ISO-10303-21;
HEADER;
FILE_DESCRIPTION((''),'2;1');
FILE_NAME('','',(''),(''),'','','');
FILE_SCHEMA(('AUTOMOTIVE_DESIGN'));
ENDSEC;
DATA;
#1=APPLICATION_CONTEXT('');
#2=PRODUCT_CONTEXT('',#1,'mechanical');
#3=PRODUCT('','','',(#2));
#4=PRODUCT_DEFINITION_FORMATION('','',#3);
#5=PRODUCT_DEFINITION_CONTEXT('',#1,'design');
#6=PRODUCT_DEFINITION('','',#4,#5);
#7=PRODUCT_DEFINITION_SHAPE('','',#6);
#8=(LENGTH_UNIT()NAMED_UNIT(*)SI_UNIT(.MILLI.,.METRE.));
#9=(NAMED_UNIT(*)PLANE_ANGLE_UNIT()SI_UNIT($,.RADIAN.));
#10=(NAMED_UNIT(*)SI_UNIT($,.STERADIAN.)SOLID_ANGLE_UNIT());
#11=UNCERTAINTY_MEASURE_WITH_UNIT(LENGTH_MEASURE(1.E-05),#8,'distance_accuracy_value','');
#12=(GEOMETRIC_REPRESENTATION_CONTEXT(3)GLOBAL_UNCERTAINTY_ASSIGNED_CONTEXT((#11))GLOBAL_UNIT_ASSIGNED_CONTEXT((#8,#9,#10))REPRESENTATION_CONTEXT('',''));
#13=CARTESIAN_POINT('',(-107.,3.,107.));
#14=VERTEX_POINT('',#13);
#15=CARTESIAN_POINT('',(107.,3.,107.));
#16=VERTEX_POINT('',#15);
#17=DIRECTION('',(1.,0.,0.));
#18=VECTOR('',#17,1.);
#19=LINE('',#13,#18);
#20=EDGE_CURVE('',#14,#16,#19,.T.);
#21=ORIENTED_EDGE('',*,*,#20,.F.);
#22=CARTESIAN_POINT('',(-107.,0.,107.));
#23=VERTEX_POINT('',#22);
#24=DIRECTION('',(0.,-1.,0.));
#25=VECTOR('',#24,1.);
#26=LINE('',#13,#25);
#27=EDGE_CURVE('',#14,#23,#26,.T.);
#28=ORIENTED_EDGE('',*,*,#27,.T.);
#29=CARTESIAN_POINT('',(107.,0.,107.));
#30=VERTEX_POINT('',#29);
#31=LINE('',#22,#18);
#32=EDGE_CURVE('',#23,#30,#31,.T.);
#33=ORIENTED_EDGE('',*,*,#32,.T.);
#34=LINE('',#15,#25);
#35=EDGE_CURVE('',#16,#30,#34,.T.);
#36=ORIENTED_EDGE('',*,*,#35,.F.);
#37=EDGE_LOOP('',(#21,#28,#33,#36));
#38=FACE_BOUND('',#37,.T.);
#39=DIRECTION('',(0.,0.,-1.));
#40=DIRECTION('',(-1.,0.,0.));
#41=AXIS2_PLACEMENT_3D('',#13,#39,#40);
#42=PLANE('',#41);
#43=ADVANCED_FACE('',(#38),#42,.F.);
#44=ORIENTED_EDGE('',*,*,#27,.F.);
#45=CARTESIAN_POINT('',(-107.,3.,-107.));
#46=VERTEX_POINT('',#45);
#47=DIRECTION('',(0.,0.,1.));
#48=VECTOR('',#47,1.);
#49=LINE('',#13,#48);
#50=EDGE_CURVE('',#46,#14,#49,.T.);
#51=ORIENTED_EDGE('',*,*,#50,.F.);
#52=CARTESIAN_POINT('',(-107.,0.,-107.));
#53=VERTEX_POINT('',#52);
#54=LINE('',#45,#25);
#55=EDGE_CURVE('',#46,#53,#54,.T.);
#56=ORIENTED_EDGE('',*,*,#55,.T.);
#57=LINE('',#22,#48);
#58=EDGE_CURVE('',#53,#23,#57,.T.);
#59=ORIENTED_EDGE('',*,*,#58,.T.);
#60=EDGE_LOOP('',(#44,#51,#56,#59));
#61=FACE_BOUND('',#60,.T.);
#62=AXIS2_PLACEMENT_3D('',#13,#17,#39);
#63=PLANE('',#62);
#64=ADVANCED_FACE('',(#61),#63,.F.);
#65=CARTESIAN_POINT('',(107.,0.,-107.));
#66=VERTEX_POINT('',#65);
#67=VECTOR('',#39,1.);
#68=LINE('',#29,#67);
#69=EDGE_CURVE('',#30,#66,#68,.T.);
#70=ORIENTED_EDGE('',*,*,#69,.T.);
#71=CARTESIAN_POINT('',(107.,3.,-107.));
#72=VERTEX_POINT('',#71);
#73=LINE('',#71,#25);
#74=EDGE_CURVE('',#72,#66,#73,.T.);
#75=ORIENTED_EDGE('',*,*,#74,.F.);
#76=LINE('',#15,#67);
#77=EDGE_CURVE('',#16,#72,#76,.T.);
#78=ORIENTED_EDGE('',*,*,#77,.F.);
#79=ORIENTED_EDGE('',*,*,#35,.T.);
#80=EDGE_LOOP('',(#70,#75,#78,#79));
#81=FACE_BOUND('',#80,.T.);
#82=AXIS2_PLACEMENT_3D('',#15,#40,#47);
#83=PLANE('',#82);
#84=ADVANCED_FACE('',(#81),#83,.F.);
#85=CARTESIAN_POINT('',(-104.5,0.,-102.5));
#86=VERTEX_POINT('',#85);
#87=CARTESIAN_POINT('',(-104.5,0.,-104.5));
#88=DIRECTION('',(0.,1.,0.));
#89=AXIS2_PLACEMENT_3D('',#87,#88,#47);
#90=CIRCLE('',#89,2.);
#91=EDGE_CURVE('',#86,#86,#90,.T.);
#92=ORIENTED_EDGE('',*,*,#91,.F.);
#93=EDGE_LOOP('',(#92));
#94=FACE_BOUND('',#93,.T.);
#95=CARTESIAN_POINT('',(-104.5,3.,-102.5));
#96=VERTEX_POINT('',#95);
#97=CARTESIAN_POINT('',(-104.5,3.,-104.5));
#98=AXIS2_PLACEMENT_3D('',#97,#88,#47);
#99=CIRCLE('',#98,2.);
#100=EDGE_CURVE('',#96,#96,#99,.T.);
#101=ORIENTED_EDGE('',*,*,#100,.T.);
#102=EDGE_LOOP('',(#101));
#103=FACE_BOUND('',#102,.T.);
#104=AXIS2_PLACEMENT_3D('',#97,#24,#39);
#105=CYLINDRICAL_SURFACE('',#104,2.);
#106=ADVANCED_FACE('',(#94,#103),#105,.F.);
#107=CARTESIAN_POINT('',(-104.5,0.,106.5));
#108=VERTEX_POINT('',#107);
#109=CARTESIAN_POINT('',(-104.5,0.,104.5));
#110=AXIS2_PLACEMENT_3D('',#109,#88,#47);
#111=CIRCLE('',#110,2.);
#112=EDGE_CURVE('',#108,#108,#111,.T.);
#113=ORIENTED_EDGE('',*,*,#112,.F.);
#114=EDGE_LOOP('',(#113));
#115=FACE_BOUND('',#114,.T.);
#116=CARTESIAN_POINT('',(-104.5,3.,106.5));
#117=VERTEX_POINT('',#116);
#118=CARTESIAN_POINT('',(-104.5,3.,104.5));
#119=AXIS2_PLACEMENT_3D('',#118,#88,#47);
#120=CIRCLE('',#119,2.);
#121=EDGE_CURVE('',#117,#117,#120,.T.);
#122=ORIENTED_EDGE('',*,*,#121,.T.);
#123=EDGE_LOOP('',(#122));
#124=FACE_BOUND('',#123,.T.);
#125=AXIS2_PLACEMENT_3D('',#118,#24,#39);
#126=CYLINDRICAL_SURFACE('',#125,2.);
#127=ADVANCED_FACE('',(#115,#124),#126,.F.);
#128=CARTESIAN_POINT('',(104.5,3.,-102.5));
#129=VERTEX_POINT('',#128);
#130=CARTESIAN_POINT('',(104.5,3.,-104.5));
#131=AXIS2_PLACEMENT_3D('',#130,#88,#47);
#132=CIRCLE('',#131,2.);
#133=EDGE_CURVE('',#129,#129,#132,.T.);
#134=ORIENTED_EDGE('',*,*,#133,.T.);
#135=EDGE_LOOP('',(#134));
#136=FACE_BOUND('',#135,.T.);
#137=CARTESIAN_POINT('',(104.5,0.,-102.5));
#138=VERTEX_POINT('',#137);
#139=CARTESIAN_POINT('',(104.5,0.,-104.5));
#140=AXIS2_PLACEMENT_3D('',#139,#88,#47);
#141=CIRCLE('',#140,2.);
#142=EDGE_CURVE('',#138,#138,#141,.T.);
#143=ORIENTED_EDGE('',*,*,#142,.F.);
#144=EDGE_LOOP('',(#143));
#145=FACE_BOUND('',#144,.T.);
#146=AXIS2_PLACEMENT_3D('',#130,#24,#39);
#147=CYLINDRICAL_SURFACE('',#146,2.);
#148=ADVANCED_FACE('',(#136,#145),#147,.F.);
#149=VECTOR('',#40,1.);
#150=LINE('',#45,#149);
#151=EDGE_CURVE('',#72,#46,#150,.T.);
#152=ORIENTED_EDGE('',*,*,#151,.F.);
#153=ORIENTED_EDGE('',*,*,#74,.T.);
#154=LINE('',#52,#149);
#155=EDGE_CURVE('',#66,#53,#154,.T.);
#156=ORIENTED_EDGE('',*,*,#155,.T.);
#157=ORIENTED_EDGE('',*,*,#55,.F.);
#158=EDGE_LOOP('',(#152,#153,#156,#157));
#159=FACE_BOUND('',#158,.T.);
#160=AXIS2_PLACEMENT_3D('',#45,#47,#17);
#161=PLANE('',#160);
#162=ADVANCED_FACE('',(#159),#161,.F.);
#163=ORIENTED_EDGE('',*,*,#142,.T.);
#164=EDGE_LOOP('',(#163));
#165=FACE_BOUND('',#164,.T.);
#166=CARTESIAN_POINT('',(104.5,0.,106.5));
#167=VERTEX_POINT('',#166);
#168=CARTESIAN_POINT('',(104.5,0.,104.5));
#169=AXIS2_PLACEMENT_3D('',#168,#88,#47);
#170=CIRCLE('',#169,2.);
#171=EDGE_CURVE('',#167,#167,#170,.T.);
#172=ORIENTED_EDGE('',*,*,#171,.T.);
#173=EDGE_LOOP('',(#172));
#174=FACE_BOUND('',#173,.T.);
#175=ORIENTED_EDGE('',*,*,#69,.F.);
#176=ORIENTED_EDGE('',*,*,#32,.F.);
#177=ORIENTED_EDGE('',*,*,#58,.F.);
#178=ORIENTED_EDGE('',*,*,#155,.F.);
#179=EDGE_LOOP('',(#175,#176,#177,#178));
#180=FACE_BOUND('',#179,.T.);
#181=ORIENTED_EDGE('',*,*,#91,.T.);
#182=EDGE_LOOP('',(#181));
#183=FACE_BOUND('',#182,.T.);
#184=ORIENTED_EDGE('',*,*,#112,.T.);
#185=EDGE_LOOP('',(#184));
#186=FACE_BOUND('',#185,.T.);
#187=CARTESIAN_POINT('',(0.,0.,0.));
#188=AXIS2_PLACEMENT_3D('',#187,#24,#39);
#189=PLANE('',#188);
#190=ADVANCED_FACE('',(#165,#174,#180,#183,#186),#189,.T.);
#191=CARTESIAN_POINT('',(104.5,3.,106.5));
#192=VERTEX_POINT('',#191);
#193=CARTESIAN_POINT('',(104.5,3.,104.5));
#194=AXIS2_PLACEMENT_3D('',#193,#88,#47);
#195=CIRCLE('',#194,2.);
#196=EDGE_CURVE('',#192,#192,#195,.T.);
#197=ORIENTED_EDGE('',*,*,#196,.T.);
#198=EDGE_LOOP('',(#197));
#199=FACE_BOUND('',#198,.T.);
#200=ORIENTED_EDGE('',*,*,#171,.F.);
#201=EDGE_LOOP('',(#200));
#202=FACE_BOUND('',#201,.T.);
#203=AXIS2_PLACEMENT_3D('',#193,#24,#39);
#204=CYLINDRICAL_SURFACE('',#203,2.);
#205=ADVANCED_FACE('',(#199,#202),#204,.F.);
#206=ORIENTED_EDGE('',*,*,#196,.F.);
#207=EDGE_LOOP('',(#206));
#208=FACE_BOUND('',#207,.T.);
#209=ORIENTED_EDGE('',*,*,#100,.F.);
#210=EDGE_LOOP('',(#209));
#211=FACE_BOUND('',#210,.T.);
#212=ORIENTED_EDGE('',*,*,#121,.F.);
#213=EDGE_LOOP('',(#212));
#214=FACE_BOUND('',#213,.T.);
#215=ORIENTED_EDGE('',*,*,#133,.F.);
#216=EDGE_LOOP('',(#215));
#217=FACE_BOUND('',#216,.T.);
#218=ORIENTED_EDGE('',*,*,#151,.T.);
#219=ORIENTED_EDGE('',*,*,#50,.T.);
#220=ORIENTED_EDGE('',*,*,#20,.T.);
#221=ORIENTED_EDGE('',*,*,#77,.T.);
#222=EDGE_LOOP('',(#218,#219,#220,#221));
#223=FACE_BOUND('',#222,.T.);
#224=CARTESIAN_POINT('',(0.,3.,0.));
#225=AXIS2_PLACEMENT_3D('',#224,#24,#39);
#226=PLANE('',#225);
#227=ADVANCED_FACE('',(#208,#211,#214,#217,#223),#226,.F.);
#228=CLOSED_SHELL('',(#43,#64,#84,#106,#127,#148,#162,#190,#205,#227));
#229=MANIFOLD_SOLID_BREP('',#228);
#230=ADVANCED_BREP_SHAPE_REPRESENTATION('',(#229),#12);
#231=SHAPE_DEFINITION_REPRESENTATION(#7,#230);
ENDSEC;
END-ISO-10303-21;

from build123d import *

# Parameters (mm, degrees)
SKETCH1_W           = 214
SKETCH1_H           = 214
SKETCH1_R           = 2
BOSS_EXTRUDE1_DEPTH = 3


with BuildPart() as part:
    # Sketch1 → Boss-Extrude1 (new body)
    with BuildSketch(Plane(origin=(0, 0, 0), x_dir=(1, 0, 0), z_dir=(0, 1, 0))):
        Rectangle(SKETCH1_W, SKETCH1_H)
        with Locations((-104.5, 104.5)):
            Circle(SKETCH1_R, mode=Mode.SUBTRACT)
        with Locations((104.5, 104.5)):
            Circle(SKETCH1_R, mode=Mode.SUBTRACT)
        with Locations((104.5, -104.5)):
            Circle(SKETCH1_R, mode=Mode.SUBTRACT)
        with Locations((-104.5, -104.5)):
            Circle(SKETCH1_R, mode=Mode.SUBTRACT)
    extrude(amount=BOSS_EXTRUDE1_DEPTH)


solid = part.part
